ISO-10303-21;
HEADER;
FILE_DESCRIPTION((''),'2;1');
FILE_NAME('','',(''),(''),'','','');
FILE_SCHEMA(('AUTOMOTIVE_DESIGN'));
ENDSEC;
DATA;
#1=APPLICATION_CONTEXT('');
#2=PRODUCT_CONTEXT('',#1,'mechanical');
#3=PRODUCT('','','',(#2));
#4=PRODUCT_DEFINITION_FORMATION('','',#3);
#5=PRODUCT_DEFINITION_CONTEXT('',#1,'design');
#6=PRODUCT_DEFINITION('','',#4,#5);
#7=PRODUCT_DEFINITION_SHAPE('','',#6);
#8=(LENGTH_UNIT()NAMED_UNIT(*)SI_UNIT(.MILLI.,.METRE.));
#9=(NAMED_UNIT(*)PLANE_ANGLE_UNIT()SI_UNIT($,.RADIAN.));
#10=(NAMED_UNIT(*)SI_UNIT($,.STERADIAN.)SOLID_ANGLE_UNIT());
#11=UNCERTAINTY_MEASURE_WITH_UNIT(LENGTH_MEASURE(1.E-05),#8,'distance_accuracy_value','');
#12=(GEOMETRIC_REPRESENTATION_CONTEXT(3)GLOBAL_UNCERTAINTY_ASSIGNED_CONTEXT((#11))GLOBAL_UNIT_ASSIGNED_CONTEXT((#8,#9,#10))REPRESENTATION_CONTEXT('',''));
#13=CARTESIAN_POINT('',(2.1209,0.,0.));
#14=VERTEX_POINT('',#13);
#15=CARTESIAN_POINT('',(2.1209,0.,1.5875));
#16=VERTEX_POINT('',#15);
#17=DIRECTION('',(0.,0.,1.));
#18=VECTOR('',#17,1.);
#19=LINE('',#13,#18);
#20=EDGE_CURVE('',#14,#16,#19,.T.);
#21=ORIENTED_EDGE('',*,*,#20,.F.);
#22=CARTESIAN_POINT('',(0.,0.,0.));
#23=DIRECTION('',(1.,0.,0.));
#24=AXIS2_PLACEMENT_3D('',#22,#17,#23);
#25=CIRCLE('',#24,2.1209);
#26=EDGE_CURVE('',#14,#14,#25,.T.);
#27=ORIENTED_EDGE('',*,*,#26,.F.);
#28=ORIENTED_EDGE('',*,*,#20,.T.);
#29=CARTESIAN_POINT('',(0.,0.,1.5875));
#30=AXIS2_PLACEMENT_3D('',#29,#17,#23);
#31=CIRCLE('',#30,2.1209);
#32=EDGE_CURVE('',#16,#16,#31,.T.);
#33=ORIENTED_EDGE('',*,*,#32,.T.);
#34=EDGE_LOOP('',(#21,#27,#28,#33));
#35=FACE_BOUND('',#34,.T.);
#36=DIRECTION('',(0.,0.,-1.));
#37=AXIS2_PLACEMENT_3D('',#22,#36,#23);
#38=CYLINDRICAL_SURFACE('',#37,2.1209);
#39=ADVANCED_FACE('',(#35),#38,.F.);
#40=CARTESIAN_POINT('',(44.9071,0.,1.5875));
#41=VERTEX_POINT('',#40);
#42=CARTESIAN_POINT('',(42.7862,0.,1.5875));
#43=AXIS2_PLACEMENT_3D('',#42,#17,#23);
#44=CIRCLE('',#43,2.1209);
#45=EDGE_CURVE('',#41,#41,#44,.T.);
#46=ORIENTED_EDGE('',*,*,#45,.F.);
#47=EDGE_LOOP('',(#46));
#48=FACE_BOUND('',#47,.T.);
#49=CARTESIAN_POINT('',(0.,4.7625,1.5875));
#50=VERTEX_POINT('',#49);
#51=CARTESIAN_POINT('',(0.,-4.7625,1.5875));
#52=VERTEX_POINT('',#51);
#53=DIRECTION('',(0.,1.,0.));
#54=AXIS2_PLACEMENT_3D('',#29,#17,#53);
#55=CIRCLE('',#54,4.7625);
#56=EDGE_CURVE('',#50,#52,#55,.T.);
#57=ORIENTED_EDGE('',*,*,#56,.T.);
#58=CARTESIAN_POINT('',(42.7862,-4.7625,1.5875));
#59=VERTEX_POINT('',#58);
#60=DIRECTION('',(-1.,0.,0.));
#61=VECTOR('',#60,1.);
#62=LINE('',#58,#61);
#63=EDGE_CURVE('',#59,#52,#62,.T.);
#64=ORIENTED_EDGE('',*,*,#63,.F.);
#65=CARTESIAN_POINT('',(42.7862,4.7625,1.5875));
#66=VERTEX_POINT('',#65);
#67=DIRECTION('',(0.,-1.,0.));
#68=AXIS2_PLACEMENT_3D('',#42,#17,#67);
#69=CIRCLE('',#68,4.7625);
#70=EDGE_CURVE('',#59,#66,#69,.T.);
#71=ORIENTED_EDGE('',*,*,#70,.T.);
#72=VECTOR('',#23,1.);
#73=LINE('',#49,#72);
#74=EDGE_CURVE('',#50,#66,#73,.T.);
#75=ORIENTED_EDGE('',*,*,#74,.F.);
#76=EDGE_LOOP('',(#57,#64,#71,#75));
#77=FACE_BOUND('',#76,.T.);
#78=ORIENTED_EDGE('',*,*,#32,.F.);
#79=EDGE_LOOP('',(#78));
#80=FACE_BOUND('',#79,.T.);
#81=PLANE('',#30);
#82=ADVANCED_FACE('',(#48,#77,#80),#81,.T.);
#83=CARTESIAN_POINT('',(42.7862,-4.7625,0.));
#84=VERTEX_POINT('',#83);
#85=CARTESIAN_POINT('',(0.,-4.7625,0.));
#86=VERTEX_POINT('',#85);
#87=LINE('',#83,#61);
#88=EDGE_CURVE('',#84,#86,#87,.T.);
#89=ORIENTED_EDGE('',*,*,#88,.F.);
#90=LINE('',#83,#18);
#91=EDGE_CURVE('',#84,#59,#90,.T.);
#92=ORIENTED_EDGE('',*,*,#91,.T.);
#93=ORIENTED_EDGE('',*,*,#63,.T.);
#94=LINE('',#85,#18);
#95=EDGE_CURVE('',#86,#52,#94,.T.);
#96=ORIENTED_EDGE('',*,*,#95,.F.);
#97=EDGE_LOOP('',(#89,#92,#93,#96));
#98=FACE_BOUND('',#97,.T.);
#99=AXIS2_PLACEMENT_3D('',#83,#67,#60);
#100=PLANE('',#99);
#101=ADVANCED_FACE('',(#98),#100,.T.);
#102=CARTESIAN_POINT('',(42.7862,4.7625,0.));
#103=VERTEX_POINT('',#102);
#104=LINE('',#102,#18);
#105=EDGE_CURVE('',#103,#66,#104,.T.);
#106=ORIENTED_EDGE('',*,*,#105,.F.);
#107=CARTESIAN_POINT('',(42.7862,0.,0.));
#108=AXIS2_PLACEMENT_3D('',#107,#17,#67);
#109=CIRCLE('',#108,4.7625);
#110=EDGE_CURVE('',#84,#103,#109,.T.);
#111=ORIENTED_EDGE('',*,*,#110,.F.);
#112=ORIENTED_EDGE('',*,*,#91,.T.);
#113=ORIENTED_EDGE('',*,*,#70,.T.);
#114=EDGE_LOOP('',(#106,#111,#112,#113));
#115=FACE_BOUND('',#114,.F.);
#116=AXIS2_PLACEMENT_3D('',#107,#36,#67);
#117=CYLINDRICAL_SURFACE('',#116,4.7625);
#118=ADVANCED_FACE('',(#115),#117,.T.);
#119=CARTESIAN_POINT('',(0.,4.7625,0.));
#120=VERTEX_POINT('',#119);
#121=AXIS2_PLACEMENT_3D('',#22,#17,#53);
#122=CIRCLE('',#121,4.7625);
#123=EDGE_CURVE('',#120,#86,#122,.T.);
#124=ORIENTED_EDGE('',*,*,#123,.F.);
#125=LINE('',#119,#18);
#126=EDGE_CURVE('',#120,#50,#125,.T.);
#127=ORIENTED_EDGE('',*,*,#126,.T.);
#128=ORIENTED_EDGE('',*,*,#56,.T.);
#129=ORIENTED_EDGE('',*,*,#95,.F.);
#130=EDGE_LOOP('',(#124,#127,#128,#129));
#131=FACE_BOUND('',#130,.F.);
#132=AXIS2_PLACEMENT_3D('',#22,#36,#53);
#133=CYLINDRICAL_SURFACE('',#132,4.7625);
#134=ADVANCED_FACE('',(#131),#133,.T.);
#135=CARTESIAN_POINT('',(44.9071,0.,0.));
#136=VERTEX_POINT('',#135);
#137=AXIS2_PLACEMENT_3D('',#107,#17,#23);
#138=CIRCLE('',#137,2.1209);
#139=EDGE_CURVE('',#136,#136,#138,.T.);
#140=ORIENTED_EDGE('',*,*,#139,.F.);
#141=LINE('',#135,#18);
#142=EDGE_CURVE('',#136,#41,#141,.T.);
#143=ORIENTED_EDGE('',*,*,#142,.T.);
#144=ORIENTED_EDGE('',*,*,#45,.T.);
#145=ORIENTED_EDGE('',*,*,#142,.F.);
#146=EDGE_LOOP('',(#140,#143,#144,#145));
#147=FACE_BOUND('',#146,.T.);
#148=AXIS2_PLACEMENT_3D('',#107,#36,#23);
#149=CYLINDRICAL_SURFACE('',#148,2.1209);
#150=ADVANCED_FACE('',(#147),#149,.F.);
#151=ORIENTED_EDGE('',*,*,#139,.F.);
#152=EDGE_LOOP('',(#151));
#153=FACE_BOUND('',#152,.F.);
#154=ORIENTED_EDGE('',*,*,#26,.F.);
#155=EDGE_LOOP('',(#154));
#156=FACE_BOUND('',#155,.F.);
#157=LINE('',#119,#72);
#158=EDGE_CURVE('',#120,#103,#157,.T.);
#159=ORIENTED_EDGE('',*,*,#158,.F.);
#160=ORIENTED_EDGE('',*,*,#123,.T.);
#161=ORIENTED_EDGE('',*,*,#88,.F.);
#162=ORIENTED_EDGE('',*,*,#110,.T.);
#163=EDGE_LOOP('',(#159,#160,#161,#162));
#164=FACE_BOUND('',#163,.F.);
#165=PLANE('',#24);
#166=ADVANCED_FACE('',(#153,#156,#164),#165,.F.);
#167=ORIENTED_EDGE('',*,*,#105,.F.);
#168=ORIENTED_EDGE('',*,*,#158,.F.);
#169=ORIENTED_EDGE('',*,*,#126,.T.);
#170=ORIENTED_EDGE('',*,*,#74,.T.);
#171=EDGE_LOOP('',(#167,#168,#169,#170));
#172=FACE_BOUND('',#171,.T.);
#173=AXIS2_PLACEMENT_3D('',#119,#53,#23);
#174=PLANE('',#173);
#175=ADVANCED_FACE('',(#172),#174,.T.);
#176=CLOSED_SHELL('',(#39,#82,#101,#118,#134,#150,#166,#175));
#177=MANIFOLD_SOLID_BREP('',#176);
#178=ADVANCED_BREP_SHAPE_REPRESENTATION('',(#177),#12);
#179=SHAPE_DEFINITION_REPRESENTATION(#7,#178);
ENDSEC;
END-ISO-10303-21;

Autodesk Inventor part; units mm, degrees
ref_plane "YZ Plane" through (0, 0, 0) normal (1, 0, 0) x (0, 1, 0)
ref_plane "XZ Plane" through (0, 0, 0) normal (0, 1, 0) x (-1, 0, 0)
ref_plane "XY Plane" through (0, 0, 0) normal (0, 0, 1) x (1, 0, 0)
sketch "Sketch1" plane through (0, 0, 0) normal (0, 0, 1) x (1, 0, 0)
  circle A0 centre (0, 0) radius 2.1209
  circle A1 centre (42.7862, 0) radius 2.1209
  arc A2 (0, 4.7625) -> (0, -4.7625) centre (0, 0) ccw
  arc A3 (42.7862, -4.7625) -> (42.7862, 4.7625) centre (42.7862, 0) ccw
  line L0 (0, 4.7625) -> (42.7862, 4.7625)
  line L1 (42.7862, -4.7625) -> (0, -4.7625)
  dimension "d0" = 4.2418
  dimension "d1" = 4.2418
extrude "Extrusion1" add sketch "Sketch1" along normal blind 1.5875
properties part number "joint_gusset" material "Acetal Resin, White"
